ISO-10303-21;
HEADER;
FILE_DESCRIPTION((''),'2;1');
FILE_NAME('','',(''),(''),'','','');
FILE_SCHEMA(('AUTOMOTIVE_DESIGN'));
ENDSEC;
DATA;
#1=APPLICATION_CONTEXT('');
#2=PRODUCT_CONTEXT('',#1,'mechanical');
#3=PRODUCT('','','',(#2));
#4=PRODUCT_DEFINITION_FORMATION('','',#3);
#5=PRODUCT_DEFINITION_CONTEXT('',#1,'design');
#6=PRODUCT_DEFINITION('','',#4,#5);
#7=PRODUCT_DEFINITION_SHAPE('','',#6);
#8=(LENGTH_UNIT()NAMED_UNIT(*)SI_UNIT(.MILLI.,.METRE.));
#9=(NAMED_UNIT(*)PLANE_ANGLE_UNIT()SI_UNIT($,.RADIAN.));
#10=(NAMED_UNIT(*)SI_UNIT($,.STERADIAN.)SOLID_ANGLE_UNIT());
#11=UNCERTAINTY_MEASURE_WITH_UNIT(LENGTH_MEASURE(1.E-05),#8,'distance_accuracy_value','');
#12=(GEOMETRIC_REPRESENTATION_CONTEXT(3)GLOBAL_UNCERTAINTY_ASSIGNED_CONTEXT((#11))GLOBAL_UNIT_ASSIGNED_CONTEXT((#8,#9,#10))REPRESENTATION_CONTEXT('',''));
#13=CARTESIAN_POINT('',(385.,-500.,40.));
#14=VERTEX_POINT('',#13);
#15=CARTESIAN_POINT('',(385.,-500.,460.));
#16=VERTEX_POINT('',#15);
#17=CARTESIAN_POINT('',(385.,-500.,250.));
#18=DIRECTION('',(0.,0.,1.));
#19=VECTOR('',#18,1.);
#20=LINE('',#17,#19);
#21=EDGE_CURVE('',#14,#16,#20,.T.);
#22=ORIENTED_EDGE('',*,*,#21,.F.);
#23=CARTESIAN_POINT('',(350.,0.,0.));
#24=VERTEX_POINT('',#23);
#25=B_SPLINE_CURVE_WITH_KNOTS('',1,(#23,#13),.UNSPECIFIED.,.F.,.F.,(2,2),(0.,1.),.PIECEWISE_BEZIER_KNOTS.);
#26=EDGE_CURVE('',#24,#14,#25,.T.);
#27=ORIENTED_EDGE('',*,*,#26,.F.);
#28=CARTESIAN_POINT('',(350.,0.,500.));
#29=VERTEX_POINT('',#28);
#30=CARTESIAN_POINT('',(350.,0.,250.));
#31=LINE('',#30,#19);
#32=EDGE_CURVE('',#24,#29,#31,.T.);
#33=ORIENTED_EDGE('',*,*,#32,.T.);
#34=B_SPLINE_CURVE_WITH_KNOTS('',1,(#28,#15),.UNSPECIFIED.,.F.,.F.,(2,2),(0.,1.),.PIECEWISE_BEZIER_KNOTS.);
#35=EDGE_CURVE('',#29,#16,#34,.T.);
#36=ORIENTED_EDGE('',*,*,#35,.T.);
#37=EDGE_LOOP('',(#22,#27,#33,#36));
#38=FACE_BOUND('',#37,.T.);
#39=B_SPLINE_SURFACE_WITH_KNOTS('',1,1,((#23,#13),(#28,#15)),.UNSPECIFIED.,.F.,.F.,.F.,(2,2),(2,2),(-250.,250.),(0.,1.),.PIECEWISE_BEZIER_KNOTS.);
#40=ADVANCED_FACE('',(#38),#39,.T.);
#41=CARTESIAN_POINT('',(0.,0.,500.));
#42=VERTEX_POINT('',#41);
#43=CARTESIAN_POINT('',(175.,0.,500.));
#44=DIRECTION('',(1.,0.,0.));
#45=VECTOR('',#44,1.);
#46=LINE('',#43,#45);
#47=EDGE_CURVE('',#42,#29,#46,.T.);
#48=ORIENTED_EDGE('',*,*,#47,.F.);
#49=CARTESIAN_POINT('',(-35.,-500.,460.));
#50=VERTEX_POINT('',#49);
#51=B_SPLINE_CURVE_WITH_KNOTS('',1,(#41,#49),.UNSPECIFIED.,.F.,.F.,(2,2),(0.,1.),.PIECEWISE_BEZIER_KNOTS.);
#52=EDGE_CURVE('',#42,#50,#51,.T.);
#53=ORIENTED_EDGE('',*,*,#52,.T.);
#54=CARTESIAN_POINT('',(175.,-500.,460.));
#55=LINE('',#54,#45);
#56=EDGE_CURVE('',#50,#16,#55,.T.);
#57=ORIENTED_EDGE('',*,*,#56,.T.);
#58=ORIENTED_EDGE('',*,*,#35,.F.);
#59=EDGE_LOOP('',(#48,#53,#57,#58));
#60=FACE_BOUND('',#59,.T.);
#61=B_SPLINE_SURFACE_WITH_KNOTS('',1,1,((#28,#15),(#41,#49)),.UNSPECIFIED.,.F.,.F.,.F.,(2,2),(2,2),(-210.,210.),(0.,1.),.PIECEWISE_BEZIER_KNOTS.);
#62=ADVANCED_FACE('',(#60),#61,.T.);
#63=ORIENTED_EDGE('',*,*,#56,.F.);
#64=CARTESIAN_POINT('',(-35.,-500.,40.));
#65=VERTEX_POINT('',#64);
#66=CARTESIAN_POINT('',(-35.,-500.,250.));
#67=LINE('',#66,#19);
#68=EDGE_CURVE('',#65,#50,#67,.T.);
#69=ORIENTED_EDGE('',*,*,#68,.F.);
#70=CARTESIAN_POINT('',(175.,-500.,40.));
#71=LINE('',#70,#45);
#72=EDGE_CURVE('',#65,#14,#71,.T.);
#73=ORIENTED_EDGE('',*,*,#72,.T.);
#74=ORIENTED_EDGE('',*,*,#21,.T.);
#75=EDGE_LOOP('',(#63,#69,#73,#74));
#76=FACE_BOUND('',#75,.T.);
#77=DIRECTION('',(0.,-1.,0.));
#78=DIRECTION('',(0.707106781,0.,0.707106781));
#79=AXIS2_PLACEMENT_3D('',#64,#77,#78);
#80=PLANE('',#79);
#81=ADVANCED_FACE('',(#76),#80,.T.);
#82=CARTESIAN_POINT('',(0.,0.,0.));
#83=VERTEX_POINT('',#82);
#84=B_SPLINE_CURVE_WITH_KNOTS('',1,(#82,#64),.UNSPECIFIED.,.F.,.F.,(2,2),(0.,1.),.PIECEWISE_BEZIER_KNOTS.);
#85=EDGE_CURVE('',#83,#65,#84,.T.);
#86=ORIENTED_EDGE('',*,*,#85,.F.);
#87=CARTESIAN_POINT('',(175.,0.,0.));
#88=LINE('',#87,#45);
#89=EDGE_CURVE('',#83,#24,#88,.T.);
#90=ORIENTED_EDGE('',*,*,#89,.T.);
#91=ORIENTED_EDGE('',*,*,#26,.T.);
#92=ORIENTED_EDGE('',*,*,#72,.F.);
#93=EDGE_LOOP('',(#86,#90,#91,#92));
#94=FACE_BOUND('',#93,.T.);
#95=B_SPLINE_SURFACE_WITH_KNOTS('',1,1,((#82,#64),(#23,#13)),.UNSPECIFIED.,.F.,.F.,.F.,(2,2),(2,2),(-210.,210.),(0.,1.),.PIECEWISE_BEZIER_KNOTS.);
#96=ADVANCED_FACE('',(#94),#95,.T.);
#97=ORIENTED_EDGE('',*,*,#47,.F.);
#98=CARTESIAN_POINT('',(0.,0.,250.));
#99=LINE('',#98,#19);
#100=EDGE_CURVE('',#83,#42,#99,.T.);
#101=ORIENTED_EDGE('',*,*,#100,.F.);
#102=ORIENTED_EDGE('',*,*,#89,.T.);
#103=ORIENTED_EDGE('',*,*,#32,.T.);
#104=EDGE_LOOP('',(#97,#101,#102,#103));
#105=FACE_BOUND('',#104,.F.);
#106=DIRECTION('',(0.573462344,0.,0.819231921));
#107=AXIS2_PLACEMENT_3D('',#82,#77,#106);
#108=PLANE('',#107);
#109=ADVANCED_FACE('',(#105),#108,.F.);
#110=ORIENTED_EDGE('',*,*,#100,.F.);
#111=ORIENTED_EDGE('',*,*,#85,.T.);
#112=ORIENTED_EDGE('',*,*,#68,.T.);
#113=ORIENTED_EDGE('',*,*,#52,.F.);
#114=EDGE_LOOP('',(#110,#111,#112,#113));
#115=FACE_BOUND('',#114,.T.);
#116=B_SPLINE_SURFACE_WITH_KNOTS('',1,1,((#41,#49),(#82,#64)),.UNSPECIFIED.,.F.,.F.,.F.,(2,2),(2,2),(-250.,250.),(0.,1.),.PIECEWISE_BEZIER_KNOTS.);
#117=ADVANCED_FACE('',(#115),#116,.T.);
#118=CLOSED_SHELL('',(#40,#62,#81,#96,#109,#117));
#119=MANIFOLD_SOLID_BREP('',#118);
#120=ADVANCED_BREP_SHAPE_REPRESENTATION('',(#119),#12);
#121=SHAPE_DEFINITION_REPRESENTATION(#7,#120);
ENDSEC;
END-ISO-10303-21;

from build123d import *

# Parameters (mm, degrees)
F0_W = 350
F0_H = 500
F2_W = 420
F2_H = 420


with BuildPart() as f3:
    # F0 (on Front) → F3 section 0
    with BuildSketch(Plane.XZ):
        with Locations((175, 250)):
            Rectangle(F0_W, F0_H)
    # F2 (on offset) → F3 section 1
    with BuildSketch(Plane.XZ.offset(500)):
        with Locations((175, 250)):
            Rectangle(F2_W, F2_H)
    loft()


solid = f3.part
